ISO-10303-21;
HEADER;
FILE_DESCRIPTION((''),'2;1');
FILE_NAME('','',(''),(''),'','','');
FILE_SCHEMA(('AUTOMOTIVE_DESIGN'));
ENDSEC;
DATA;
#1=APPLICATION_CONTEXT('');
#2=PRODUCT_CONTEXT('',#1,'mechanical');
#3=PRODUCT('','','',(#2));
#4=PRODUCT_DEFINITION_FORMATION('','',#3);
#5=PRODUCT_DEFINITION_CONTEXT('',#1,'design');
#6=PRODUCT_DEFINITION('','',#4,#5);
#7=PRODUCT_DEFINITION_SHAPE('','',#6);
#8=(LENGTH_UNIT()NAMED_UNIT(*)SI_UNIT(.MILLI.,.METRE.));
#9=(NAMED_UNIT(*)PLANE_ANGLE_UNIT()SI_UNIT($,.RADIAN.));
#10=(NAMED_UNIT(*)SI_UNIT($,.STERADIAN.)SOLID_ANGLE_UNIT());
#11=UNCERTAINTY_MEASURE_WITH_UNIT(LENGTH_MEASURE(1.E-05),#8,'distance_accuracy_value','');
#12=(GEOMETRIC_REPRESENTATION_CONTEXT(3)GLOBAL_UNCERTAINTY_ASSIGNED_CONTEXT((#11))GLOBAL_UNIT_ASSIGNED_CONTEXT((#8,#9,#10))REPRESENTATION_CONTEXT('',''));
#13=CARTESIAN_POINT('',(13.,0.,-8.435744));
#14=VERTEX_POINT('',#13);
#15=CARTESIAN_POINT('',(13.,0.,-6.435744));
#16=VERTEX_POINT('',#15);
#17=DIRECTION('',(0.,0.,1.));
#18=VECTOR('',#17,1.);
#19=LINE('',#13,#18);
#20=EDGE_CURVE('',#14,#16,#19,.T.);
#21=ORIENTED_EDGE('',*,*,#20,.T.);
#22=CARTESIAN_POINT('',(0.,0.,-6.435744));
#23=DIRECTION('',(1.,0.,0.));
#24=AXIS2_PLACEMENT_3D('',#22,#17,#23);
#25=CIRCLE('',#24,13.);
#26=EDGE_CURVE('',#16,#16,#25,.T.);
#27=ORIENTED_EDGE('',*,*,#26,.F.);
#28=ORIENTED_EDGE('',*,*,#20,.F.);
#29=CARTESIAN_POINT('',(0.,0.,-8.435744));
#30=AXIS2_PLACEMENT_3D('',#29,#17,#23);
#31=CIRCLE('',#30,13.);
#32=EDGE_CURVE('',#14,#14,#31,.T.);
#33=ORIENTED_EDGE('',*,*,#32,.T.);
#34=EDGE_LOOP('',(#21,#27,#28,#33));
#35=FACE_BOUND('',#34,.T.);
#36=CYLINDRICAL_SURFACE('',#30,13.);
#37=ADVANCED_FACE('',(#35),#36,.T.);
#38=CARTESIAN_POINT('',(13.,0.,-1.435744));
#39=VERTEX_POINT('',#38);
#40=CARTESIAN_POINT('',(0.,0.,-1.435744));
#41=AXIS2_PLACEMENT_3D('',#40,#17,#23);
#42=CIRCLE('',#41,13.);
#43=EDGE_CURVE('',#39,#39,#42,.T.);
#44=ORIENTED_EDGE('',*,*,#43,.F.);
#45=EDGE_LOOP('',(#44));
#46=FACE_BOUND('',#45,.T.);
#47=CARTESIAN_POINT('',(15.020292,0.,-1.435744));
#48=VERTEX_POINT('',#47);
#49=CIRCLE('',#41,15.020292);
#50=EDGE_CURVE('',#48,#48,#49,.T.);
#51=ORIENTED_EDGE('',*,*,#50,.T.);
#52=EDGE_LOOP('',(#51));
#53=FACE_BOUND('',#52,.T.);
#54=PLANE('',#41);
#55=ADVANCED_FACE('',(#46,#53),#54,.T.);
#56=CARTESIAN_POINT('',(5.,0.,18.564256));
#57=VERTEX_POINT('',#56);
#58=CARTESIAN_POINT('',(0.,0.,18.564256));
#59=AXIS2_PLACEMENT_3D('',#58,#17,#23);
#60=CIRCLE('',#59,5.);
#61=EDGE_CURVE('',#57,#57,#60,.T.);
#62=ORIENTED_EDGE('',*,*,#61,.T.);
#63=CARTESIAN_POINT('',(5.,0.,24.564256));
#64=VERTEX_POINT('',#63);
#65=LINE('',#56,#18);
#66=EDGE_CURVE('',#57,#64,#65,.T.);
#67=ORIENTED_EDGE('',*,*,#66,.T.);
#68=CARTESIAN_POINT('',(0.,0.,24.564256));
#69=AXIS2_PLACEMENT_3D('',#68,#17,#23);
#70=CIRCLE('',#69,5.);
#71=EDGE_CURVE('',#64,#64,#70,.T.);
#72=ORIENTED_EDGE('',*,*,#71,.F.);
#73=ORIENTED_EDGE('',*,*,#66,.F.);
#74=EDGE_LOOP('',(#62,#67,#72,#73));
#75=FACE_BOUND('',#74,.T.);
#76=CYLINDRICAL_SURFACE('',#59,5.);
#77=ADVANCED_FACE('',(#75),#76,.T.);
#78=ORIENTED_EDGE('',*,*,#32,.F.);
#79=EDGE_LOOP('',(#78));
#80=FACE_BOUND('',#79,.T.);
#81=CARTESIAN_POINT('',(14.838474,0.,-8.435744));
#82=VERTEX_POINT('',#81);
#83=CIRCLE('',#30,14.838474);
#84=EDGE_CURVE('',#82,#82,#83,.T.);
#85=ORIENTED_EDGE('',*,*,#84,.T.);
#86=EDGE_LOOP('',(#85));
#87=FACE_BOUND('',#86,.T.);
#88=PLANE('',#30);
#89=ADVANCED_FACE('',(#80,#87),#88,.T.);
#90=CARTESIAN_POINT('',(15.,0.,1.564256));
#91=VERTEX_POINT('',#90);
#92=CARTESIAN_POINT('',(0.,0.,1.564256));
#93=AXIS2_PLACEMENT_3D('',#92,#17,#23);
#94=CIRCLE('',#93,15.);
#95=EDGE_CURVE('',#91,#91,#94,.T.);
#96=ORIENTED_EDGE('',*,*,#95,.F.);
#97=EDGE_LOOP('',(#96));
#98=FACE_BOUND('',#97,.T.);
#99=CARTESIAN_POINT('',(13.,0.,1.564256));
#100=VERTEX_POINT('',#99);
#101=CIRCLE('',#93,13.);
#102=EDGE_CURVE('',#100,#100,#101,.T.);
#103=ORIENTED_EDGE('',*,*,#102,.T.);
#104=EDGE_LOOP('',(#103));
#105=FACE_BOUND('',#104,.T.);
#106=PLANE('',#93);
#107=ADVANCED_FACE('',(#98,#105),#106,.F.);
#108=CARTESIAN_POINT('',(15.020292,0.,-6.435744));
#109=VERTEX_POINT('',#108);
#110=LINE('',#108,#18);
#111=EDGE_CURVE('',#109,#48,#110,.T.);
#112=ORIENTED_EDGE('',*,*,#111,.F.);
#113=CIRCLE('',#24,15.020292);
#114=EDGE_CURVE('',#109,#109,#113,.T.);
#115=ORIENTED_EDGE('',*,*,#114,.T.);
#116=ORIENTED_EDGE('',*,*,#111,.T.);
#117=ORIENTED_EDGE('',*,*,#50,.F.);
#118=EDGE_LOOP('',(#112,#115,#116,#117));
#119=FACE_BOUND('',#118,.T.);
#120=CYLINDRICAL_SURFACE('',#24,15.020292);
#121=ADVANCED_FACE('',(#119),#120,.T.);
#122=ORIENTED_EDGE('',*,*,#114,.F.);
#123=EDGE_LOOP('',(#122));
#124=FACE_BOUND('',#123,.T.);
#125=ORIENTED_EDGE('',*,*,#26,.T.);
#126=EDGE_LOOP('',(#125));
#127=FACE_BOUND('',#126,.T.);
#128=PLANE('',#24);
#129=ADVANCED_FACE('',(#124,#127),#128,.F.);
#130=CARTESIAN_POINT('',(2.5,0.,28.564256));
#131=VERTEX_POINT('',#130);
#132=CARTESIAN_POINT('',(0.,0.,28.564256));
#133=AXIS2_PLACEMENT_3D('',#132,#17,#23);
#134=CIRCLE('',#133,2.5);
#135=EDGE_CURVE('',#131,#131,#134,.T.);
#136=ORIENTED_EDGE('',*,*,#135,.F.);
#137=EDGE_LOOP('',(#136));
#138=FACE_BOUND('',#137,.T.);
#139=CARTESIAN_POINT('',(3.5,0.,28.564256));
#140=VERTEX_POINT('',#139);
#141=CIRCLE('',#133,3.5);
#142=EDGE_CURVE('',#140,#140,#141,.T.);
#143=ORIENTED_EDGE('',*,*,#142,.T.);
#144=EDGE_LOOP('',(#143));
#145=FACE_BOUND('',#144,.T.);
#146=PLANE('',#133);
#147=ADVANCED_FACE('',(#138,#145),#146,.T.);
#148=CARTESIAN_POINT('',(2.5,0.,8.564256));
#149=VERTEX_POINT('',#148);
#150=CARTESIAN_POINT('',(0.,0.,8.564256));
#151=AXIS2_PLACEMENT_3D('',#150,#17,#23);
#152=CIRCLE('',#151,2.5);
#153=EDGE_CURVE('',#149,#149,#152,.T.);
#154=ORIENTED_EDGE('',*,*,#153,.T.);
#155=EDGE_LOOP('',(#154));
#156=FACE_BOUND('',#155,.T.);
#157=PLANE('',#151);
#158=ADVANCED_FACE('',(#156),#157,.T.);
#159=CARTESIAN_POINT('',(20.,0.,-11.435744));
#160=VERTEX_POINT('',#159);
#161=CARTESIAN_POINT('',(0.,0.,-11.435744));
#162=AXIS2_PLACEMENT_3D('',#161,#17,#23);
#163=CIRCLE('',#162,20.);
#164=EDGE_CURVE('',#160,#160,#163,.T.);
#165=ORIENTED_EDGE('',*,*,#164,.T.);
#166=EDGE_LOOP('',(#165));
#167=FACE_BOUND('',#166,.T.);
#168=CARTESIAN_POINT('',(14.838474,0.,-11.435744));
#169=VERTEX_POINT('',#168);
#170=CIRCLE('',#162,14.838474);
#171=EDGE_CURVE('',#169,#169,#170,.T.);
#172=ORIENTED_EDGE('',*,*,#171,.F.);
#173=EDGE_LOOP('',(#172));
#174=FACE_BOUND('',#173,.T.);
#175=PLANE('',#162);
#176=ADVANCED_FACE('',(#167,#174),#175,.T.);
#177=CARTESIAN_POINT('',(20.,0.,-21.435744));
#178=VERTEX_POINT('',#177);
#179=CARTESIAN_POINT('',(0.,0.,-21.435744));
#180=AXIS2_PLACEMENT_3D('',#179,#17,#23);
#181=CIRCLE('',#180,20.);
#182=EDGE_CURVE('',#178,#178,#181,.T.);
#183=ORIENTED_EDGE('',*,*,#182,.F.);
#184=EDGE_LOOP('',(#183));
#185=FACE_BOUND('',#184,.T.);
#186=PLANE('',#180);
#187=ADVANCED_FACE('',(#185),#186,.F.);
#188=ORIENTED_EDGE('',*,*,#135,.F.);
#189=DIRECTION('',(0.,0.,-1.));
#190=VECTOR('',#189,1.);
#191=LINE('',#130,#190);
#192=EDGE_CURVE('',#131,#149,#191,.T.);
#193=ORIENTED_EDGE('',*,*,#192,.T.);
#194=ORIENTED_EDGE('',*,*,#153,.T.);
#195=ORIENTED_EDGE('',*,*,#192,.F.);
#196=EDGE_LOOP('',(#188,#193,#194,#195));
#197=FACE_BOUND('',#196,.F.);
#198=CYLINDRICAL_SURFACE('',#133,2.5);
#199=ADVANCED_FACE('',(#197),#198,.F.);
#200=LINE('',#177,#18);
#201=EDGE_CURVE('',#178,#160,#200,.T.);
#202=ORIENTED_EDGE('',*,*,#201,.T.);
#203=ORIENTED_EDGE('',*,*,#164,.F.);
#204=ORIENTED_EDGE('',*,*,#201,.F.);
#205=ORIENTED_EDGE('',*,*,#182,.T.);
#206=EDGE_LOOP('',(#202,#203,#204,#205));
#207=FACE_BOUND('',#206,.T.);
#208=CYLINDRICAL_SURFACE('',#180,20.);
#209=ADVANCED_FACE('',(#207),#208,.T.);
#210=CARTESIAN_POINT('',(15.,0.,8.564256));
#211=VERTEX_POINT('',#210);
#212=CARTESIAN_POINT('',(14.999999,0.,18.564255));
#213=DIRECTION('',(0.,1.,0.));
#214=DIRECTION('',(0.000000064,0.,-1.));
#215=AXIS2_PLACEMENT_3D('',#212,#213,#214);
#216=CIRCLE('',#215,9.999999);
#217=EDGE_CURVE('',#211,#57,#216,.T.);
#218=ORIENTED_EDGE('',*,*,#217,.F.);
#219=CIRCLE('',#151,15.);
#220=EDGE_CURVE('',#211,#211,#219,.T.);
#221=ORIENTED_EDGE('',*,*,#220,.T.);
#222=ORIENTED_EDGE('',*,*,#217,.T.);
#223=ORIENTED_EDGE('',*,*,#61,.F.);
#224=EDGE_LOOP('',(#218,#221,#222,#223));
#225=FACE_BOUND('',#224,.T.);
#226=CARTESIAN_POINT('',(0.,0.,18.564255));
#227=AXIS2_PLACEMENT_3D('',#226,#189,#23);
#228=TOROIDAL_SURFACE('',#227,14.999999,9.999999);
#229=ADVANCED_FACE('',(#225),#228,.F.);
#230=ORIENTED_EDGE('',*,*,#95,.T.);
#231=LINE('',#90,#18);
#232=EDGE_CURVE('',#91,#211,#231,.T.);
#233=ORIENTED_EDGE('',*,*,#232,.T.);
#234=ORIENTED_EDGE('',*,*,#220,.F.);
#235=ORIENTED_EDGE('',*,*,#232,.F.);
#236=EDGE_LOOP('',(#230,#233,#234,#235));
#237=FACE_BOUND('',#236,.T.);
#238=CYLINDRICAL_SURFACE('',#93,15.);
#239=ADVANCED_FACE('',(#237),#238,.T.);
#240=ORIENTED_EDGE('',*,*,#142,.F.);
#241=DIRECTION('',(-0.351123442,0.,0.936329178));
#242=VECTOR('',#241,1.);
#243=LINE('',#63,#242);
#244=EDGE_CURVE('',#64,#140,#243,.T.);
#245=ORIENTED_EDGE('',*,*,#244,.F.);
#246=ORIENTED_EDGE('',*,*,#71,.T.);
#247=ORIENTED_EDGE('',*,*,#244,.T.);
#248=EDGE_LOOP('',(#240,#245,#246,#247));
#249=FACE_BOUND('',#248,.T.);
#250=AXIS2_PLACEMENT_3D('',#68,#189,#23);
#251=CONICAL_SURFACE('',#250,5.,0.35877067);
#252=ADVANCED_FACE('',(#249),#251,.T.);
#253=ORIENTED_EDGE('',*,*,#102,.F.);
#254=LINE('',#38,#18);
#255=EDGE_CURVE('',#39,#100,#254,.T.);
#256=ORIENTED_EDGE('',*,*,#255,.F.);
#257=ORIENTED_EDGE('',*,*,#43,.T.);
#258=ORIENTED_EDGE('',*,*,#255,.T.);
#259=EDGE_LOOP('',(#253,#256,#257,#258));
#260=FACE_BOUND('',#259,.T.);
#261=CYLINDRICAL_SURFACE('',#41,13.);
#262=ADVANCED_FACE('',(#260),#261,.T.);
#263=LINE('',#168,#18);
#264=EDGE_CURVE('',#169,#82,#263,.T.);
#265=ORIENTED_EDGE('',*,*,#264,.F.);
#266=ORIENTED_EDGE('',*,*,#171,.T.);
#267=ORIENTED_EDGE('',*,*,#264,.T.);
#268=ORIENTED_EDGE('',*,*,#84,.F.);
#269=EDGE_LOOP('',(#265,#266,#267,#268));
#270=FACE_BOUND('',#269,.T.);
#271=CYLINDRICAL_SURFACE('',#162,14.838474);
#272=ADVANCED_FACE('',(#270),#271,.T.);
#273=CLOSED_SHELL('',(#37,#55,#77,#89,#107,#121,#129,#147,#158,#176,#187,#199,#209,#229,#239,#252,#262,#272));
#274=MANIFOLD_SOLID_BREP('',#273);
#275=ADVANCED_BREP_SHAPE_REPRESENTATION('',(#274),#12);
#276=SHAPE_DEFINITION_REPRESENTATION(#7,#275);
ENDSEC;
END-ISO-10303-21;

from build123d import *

# Parameters (mm, degrees)
F2_R     = 2.5
F3_DEPTH = 20


with BuildPart() as f1:
    # F0 (on Front) → F1 (revolve)
    with BuildSketch(Plane.XZ):
        with BuildLine():
            Line((0, -21.435744), (20, -21.435744))
            Line((20, -21.435744), (20, -11.435744))
            Line((20, -11.435744), (14.838474, -11.435744))
            Line((14.838474, -11.435744), (14.838474, -8.435744))
            Line((14.838474, -8.435744), (13, -8.435744))
            Line((13, -8.435744), (13, -6.435744))
            Line((13, -6.435744), (15.020292, -6.435744))
            Line((15.020292, -6.435744), (15.020292, -1.435744))
            Line((15.020292, -1.435744), (13, -1.435744))
            Line((13, -1.435744), (13, 1.564256))
            Line((13, 1.564256), (15, 1.564256))
            Line((15, 1.564256), (15, 8.564256))
            ThreePointArc((15, 8.564256), (7.928932, 11.493188), (5, 18.564256))
            Line((5, 18.564256), (5, 24.564256))
            Line((5, 24.564256), (3.5, 28.564256))
            Line((3.5, 28.564256), (0, 28.564256))
            Line((0, 28.564256), (0, -21.435744))
        make_face()
    revolve(axis=Axis((0, 0, 3.564256), (0, 0, 1)))

    # F2 (on face) → F3 (cut)
    with BuildSketch(Plane.XY.offset(28.564256)):
        Circle(F2_R)
    extrude(amount=-F3_DEPTH, mode=Mode.SUBTRACT)


solid = f1.part
